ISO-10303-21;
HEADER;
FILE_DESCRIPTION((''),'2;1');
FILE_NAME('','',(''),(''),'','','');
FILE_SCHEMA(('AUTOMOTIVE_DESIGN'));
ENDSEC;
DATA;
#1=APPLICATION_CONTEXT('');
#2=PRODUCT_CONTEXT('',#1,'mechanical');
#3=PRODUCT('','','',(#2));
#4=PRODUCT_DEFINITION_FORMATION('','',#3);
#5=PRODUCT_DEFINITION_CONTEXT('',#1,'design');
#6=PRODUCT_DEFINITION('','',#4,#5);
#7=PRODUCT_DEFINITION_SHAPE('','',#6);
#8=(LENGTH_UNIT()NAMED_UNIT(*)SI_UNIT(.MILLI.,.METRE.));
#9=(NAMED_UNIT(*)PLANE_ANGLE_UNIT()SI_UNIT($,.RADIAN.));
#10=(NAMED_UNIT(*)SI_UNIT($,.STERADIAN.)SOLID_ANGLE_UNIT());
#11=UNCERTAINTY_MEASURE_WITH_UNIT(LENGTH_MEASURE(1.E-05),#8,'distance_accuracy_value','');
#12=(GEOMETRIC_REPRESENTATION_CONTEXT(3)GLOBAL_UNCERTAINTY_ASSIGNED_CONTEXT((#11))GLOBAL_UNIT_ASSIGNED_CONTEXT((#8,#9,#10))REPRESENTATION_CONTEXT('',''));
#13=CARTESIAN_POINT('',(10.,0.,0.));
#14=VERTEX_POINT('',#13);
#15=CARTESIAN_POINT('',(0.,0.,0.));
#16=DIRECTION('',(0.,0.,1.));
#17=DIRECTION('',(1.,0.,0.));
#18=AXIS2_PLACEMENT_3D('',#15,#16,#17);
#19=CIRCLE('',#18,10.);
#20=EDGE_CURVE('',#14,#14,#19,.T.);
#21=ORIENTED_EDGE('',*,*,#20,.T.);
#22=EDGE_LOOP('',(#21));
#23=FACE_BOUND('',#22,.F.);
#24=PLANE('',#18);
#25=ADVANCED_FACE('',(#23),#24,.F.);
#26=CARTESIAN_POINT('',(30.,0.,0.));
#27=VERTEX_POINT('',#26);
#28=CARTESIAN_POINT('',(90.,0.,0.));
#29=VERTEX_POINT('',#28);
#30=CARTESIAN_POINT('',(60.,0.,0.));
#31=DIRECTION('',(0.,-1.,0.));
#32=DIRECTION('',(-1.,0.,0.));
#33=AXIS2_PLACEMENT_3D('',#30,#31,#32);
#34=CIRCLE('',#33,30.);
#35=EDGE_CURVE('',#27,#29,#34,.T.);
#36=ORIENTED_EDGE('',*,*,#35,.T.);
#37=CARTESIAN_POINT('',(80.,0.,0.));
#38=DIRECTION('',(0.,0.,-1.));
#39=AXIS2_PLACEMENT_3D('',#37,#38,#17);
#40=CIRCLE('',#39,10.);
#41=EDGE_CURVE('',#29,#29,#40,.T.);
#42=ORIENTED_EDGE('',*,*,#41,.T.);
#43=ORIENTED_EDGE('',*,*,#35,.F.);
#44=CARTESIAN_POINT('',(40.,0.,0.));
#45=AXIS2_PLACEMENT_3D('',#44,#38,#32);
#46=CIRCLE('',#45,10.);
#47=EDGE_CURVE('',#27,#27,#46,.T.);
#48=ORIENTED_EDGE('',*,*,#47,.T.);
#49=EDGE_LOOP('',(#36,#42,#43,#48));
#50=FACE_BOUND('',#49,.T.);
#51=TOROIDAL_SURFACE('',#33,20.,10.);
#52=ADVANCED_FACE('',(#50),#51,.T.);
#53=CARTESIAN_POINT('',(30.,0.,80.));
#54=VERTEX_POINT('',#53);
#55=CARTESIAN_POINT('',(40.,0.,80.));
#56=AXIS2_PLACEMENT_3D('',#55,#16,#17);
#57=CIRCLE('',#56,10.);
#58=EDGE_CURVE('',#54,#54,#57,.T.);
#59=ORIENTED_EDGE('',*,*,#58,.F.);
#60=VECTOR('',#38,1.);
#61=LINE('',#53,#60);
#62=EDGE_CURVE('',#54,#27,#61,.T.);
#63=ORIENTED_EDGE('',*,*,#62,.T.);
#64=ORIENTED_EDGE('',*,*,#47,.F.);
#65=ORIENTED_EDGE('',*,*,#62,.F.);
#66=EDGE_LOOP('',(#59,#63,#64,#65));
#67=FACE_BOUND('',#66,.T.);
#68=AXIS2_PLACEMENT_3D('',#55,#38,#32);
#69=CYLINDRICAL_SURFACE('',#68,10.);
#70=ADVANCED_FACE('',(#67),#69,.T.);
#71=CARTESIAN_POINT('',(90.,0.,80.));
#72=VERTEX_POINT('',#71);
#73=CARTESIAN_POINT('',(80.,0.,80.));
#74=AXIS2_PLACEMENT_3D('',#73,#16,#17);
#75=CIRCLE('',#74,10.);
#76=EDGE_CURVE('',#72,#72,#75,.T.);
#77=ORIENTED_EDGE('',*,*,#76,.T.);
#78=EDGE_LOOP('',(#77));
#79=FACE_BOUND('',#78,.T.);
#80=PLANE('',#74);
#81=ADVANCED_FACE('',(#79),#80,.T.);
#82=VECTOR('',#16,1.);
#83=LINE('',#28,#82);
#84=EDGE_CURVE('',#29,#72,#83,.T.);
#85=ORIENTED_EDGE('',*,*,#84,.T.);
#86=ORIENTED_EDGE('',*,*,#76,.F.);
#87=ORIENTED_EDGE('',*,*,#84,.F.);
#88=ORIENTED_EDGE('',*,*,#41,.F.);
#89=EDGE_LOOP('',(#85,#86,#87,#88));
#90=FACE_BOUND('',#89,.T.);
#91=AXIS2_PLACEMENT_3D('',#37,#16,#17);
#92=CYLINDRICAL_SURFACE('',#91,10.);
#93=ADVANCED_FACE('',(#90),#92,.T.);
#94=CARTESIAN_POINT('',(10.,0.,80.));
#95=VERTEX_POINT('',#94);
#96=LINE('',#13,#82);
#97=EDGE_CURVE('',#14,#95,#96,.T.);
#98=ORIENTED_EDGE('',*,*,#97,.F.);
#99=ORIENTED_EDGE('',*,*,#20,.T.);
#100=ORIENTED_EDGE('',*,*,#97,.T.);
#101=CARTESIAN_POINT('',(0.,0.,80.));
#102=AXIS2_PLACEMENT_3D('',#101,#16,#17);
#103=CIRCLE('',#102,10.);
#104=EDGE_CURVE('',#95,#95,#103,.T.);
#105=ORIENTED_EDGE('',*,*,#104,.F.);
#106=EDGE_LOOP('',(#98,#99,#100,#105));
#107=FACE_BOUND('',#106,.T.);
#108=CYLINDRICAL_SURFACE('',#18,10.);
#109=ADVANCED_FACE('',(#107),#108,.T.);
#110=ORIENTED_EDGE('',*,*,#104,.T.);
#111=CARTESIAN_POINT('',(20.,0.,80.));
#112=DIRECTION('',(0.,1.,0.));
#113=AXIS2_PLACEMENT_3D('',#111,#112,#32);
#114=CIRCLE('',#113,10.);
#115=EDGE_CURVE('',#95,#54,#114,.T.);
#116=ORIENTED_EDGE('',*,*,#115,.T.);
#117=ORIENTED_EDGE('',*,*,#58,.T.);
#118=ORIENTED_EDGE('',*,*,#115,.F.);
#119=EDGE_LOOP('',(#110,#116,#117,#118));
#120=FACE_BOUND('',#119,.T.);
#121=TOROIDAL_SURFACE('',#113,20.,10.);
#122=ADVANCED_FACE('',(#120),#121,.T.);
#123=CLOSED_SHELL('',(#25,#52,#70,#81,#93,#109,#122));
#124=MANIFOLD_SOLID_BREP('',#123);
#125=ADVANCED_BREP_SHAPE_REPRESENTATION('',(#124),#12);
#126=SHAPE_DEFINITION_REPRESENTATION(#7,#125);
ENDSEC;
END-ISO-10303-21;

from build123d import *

# Parameters (mm, degrees)
F1_R = 10


with BuildPart() as f2:
    # F2: sweep along a path in F0
    with BuildLine(Plane.XZ) as f2_path:
        Line((0, 0), (0, 80))
        ThreePointArc((0, 80), (20, 100), (40, 80))
        Line((40, 80), (40, 0))
        ThreePointArc((40, 0), (60, -20), (80, 0))
        Line((80, 0), (80, 80))
    # F1 (on Top) → F2 (sweep)
    with BuildSketch(Plane.XY):
        Circle(F1_R)
    sweep(path=f2_path.line)


solid = f2.part
